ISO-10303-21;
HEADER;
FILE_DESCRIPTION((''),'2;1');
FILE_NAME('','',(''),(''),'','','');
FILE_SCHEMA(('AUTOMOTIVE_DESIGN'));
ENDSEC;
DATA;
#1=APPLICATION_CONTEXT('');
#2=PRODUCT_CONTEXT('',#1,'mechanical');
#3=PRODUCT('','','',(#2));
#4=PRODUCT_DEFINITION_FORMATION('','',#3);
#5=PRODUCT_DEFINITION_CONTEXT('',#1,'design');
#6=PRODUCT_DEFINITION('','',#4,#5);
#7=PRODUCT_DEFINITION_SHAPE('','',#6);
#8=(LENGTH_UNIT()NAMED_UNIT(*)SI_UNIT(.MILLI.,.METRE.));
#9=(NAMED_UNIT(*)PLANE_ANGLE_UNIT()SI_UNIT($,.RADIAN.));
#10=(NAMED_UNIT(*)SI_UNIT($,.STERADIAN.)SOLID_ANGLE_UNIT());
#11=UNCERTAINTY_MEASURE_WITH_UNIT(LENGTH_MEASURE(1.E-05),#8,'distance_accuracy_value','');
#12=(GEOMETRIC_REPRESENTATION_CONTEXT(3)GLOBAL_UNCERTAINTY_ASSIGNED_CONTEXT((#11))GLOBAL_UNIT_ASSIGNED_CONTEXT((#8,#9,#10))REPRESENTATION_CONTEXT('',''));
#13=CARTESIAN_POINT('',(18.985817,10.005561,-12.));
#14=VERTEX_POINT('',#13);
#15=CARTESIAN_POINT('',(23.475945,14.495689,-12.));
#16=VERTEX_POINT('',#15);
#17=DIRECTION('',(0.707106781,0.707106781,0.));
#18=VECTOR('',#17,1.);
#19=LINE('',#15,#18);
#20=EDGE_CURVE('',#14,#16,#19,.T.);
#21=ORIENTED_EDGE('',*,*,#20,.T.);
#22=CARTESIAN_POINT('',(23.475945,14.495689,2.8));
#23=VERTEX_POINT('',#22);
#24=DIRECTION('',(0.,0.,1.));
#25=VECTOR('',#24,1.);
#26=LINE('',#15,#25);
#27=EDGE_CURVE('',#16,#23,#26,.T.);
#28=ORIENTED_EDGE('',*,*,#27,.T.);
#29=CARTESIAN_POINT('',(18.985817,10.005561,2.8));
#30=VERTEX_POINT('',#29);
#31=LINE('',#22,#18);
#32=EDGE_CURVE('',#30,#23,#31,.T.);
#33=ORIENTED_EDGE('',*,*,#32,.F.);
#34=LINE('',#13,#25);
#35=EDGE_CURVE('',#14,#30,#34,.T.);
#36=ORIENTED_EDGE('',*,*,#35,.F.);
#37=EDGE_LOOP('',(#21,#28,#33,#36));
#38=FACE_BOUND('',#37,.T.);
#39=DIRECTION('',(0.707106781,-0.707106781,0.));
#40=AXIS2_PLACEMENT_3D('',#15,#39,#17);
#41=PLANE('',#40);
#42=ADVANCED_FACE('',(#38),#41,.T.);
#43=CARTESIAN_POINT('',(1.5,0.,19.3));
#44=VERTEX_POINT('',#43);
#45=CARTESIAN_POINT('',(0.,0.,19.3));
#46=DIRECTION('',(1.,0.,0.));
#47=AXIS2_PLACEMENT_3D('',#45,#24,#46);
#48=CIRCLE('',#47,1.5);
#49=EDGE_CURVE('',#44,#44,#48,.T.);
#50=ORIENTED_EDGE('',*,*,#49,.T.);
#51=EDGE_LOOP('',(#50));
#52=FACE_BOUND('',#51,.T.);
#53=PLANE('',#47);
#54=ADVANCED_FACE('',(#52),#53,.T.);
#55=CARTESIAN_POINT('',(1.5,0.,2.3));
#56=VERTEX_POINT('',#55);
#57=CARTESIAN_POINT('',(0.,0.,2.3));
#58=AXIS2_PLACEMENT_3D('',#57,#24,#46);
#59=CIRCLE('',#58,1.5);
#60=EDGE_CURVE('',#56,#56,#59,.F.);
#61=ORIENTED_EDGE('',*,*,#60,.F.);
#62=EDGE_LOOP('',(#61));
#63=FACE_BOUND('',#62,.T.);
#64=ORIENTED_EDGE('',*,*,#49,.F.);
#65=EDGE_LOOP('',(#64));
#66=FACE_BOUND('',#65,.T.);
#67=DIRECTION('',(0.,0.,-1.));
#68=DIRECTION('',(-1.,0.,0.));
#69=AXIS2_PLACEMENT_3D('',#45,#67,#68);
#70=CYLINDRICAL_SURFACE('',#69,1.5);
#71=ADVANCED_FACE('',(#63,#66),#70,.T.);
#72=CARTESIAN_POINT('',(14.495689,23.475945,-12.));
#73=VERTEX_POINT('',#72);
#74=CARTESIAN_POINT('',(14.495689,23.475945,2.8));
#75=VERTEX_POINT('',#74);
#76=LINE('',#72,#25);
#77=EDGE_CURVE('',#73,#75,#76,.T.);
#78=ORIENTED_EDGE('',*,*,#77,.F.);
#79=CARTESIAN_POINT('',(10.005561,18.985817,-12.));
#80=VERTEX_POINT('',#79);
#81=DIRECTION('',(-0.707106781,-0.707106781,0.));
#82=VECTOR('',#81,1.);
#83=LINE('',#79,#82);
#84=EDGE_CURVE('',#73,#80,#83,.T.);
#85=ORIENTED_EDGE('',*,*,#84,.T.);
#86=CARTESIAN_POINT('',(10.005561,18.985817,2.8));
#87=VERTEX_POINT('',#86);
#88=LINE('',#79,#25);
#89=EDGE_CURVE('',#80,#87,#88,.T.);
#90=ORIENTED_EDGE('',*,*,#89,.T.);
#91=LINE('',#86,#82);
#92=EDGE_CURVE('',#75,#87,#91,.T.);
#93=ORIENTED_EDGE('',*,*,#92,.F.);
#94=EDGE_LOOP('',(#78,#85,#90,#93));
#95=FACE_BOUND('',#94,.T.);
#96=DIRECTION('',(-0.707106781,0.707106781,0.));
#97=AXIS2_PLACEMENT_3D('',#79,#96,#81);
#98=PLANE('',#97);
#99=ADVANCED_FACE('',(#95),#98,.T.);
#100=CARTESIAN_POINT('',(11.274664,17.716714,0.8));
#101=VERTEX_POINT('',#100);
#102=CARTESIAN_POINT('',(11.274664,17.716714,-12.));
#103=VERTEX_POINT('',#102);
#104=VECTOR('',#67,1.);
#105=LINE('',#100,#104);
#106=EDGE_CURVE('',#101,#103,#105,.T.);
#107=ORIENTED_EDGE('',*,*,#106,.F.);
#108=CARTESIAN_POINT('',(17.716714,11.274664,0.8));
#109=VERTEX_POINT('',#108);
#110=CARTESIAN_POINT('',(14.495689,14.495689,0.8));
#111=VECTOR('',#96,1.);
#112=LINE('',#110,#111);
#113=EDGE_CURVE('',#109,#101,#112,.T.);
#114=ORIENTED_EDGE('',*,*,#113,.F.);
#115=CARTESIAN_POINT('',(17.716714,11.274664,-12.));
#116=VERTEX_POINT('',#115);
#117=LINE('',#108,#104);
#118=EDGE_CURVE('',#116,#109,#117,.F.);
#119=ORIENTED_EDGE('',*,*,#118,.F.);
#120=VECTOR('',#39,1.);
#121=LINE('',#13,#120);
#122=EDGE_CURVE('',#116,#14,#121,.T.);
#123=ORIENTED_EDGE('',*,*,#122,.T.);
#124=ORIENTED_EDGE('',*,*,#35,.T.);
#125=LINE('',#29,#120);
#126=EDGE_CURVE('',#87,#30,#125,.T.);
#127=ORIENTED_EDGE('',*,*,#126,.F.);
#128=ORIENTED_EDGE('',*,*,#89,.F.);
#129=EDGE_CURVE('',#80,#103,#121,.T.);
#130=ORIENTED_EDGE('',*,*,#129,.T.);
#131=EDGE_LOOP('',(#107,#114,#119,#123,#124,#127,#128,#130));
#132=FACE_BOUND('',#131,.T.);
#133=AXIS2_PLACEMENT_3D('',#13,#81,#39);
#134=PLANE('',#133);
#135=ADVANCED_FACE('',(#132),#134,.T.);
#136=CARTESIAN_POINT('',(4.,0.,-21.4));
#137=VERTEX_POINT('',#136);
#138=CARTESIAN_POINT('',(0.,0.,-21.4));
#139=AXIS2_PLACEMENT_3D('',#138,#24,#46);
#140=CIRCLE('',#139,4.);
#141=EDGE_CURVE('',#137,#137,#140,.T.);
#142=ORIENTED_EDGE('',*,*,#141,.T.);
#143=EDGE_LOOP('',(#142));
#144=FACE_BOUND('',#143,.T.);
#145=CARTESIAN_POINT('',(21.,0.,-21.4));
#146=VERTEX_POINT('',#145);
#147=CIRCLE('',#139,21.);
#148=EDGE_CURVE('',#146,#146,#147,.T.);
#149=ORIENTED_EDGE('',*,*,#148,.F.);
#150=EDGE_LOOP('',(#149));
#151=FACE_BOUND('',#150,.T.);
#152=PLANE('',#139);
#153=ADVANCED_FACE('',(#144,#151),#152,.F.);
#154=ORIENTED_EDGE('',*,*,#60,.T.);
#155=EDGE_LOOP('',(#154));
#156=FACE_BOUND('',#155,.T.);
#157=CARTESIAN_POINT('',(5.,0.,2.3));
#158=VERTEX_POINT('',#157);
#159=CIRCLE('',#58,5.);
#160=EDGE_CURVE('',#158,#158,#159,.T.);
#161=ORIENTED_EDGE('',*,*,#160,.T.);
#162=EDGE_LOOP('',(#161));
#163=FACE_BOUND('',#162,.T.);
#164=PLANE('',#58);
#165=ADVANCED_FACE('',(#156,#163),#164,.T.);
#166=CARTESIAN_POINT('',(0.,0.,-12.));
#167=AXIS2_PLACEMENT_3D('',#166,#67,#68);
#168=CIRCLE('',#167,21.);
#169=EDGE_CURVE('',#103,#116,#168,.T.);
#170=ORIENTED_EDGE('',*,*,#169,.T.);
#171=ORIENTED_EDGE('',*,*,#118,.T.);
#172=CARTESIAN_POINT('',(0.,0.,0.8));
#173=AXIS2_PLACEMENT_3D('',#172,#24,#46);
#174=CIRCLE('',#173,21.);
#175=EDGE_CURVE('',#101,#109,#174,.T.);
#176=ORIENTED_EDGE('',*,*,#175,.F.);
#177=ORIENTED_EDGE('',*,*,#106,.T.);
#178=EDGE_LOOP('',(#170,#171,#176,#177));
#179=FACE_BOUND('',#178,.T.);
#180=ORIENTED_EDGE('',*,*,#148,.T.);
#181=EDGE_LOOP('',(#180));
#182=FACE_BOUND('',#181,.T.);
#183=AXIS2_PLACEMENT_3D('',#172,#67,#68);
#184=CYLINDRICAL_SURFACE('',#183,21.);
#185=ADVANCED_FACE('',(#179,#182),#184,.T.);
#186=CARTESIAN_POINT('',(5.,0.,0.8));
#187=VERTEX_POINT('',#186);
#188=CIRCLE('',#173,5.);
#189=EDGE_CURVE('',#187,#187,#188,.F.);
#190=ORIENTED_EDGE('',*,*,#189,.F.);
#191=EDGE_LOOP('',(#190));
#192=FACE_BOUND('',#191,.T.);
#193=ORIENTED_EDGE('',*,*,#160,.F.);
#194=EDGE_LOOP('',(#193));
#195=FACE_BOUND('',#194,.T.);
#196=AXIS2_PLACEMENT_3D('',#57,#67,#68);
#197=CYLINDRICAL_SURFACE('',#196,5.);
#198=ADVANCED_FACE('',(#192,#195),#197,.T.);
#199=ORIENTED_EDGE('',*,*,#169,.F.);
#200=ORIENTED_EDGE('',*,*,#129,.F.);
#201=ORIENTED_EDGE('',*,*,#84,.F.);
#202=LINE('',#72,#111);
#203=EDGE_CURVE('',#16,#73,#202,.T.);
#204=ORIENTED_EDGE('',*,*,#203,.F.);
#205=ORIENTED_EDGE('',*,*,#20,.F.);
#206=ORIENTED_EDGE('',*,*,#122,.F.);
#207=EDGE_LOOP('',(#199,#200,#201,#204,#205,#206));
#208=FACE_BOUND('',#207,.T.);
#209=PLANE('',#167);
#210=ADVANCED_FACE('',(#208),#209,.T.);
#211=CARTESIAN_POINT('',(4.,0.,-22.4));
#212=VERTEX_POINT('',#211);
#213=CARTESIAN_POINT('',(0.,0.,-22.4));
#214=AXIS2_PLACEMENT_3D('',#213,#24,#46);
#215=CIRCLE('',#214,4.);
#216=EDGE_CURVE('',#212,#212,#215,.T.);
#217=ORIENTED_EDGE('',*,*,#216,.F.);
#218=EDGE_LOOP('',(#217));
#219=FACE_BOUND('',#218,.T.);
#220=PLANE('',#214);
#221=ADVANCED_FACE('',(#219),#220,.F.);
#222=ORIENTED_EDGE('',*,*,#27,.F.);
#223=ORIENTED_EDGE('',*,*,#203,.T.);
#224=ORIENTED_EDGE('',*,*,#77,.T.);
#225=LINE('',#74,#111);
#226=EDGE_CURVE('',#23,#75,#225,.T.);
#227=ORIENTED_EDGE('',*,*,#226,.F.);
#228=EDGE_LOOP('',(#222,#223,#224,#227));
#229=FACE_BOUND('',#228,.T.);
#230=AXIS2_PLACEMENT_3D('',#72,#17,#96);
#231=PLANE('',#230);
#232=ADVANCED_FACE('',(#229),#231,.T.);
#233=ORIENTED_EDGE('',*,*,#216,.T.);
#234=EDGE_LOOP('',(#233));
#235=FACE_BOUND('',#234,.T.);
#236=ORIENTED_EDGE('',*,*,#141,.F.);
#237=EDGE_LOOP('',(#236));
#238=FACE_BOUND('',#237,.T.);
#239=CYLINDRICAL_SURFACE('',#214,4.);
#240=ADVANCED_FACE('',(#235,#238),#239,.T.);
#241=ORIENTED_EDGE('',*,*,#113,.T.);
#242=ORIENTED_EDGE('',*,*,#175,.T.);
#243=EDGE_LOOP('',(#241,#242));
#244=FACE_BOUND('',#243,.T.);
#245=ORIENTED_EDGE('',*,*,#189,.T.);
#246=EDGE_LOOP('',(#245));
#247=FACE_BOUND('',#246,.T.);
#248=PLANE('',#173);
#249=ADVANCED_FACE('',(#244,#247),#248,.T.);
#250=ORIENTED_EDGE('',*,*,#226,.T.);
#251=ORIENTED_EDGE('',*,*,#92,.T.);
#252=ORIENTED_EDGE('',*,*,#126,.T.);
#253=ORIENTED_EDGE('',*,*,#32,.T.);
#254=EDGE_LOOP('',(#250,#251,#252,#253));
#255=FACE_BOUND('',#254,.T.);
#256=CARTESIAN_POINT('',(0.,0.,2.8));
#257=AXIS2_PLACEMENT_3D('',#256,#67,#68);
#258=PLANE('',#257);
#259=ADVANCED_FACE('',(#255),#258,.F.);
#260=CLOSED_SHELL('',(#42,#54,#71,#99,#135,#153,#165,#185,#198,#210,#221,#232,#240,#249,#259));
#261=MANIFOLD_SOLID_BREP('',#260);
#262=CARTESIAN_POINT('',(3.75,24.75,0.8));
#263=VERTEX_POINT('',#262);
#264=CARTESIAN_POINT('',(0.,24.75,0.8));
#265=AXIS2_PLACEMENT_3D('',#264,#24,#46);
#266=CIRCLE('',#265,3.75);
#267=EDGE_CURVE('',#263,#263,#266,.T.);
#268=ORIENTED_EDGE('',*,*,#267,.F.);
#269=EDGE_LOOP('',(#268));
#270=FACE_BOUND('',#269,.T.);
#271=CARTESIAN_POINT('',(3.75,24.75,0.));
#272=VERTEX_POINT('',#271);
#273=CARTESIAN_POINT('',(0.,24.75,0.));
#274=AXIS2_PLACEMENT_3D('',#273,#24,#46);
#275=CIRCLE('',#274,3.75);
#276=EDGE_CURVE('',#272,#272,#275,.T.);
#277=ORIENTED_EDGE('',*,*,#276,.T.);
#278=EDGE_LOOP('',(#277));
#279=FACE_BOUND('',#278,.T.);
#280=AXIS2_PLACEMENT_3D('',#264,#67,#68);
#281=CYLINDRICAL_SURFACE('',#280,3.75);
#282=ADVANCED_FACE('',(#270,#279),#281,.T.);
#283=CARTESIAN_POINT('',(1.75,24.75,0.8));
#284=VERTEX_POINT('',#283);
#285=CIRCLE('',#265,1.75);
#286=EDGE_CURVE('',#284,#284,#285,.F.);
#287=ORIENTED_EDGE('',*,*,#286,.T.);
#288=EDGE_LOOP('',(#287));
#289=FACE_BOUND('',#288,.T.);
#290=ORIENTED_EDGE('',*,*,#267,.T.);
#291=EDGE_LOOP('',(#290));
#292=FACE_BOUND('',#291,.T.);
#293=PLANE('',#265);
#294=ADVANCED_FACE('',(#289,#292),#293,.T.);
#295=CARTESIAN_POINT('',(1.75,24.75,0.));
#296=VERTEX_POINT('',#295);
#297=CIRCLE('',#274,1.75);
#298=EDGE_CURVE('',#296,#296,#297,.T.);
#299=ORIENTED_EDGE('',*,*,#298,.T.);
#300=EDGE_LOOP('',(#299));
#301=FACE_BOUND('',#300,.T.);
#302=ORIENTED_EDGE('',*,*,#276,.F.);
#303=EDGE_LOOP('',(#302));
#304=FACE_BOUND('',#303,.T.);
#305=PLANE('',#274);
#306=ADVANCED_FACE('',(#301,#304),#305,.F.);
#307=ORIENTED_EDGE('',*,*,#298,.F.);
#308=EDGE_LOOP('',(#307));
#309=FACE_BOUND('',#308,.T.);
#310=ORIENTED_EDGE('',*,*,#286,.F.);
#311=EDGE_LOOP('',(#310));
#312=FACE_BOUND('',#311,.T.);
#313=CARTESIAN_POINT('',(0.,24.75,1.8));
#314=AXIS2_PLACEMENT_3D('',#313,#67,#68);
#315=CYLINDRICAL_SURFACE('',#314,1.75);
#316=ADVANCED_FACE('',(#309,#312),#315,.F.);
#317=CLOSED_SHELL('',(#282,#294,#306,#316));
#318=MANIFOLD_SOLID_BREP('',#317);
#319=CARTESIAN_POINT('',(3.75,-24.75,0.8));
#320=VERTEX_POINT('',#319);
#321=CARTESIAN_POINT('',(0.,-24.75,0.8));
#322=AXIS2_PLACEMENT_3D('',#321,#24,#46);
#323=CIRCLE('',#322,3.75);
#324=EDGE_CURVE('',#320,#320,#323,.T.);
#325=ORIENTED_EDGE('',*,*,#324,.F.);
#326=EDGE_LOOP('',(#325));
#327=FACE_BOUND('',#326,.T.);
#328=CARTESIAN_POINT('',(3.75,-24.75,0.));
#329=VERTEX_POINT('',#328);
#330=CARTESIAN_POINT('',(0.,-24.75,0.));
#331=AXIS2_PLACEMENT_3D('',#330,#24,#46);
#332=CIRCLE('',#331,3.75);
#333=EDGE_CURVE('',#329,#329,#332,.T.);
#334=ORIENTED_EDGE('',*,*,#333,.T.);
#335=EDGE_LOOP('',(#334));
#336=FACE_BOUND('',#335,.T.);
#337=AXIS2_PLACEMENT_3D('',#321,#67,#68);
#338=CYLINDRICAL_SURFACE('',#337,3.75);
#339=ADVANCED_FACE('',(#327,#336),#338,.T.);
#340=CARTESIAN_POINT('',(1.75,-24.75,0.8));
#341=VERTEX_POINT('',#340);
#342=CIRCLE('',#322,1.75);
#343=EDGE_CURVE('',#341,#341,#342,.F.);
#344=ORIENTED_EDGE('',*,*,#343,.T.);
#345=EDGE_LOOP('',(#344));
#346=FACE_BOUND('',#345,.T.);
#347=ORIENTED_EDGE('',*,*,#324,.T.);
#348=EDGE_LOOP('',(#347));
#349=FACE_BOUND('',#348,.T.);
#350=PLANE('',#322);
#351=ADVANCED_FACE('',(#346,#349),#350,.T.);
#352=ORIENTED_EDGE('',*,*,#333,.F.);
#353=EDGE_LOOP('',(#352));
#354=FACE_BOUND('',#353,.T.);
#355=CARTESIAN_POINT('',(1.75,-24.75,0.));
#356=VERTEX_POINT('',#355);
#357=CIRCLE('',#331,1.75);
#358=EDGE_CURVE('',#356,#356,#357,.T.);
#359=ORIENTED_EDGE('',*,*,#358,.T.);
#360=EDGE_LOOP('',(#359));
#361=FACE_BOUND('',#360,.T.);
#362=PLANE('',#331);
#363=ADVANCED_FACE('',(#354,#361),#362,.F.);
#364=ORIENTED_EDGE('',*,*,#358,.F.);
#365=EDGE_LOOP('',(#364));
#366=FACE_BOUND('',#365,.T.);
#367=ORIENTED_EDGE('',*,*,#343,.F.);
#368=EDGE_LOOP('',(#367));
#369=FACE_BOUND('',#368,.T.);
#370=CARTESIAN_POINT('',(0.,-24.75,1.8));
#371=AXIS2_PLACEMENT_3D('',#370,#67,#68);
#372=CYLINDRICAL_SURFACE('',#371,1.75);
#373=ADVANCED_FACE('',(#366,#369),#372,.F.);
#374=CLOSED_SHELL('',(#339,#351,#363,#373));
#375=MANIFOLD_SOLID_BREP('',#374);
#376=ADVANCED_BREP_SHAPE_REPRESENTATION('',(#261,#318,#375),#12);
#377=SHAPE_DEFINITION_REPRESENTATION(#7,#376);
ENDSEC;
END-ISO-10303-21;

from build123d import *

# Parameters (mm, degrees)
SKETCH1_R           = 21
BOSS_EXTRUDE1_DEPTH = 0.8
SKETCH2_R           = 3.75
BOSS_EXTRUDE2_DEPTH = 0.8
SKETCH3_R           = 3.75
BOSS_EXTRUDE3_DEPTH = 0.8
SKETCH4_R           = 1.75
CUT_EXTRUDE2_DEPTH  = 1.8
BOSS_EXTRUDE4_START = -21.4
SKETCH5_R           = 21
BOSS_EXTRUDE4_DEPTH = 21.4
SKETCH6_R           = 4
BOSS_EXTRUDE5_DEPTH = 22.4
SKETCH7_R           = 5
BOSS_EXTRUDE6_DEPTH = 2.3
SKETCH8_R           = 1.5
BOSS_EXTRUDE7_DEPTH = 19.3
BOSS_EXTRUDE8_DEPTH = 12
BOSS_EXTRUDE9_DEPTH = 2.8


with BuildPart() as part:
    # Sketch1 → Boss-Extrude1 (new body)
    with BuildSketch(Plane.XY):
        Circle(SKETCH1_R)
    extrude(amount=BOSS_EXTRUDE1_DEPTH)

    # Sketch5 → Boss-Extrude4 (add)
    with BuildSketch(Plane.XY.offset(BOSS_EXTRUDE4_START)):
        Circle(SKETCH5_R)
    extrude(amount=BOSS_EXTRUDE4_DEPTH)

    # Sketch6 → Boss-Extrude5 (add)
    with BuildSketch(Plane.XY):
        Circle(SKETCH6_R)
    extrude(amount=-BOSS_EXTRUDE5_DEPTH)

    # Sketch7 → Boss-Extrude6 (add)
    with BuildSketch(Plane.XY):
        Circle(SKETCH7_R)
    extrude(amount=BOSS_EXTRUDE6_DEPTH)

    # Sketch8 → Boss-Extrude7 (add)
    with BuildSketch(Plane.XY):
        Circle(SKETCH8_R)
    extrude(amount=BOSS_EXTRUDE7_DEPTH)

    # Sketch9 → Boss-Extrude8 (add)
    with BuildSketch(Plane.XY):
        Polygon((18.985817075, 10.005560954), (10.005560954, 18.985817075), (14.495689014, 23.475945135), (23.475945135, 14.495689014), align=None)
    extrude(amount=-BOSS_EXTRUDE8_DEPTH)

    # Sketch10 → Boss-Extrude9 (add)
    with BuildSketch(Plane.XY):
        Polygon((18.985817075, 10.005560954), (10.005560954, 18.985817075), (14.495689014, 23.475945135), (23.475945135, 14.495689014), align=None)
    extrude(amount=BOSS_EXTRUDE9_DEPTH)


with BuildPart() as body_2:
    # Sketch2 → Boss-Extrude2 (new body)
    with BuildSketch(Plane.XY):
        with Locations((0, 24.75)):
            Circle(SKETCH2_R)
    extrude(amount=BOSS_EXTRUDE2_DEPTH)


with BuildPart() as body_3:
    # Sketch3 → Boss-Extrude3 (new body)
    with BuildSketch(Plane.XY):
        with Locations((0, -24.75)):
            Circle(SKETCH3_R)
    extrude(amount=BOSS_EXTRUDE3_DEPTH)


with BuildPart() as cut_extrude2_tool:
    # Sketch4 → Cut-Extrude2 (new body)
    with BuildSketch(Plane.XY):
        with Locations((0, 24.75)):
            Circle(SKETCH4_R)
        with Locations((0, -24.75)):
            Circle(SKETCH4_R)
    extrude(amount=CUT_EXTRUDE2_DEPTH)


with BuildPart() as body_2_1:
    add(body_2.part)

    # Cut-Extrude2: cut by cut_extrude2_tool
    add(cut_extrude2_tool.part, mode=Mode.SUBTRACT)


with BuildPart() as body_3_1:
    add(body_3.part)

    # Cut-Extrude2: cut by cut_extrude2_tool
    add(cut_extrude2_tool.part, mode=Mode.SUBTRACT)


solid = Compound([part.part, body_2_1.part, body_3_1.part])
